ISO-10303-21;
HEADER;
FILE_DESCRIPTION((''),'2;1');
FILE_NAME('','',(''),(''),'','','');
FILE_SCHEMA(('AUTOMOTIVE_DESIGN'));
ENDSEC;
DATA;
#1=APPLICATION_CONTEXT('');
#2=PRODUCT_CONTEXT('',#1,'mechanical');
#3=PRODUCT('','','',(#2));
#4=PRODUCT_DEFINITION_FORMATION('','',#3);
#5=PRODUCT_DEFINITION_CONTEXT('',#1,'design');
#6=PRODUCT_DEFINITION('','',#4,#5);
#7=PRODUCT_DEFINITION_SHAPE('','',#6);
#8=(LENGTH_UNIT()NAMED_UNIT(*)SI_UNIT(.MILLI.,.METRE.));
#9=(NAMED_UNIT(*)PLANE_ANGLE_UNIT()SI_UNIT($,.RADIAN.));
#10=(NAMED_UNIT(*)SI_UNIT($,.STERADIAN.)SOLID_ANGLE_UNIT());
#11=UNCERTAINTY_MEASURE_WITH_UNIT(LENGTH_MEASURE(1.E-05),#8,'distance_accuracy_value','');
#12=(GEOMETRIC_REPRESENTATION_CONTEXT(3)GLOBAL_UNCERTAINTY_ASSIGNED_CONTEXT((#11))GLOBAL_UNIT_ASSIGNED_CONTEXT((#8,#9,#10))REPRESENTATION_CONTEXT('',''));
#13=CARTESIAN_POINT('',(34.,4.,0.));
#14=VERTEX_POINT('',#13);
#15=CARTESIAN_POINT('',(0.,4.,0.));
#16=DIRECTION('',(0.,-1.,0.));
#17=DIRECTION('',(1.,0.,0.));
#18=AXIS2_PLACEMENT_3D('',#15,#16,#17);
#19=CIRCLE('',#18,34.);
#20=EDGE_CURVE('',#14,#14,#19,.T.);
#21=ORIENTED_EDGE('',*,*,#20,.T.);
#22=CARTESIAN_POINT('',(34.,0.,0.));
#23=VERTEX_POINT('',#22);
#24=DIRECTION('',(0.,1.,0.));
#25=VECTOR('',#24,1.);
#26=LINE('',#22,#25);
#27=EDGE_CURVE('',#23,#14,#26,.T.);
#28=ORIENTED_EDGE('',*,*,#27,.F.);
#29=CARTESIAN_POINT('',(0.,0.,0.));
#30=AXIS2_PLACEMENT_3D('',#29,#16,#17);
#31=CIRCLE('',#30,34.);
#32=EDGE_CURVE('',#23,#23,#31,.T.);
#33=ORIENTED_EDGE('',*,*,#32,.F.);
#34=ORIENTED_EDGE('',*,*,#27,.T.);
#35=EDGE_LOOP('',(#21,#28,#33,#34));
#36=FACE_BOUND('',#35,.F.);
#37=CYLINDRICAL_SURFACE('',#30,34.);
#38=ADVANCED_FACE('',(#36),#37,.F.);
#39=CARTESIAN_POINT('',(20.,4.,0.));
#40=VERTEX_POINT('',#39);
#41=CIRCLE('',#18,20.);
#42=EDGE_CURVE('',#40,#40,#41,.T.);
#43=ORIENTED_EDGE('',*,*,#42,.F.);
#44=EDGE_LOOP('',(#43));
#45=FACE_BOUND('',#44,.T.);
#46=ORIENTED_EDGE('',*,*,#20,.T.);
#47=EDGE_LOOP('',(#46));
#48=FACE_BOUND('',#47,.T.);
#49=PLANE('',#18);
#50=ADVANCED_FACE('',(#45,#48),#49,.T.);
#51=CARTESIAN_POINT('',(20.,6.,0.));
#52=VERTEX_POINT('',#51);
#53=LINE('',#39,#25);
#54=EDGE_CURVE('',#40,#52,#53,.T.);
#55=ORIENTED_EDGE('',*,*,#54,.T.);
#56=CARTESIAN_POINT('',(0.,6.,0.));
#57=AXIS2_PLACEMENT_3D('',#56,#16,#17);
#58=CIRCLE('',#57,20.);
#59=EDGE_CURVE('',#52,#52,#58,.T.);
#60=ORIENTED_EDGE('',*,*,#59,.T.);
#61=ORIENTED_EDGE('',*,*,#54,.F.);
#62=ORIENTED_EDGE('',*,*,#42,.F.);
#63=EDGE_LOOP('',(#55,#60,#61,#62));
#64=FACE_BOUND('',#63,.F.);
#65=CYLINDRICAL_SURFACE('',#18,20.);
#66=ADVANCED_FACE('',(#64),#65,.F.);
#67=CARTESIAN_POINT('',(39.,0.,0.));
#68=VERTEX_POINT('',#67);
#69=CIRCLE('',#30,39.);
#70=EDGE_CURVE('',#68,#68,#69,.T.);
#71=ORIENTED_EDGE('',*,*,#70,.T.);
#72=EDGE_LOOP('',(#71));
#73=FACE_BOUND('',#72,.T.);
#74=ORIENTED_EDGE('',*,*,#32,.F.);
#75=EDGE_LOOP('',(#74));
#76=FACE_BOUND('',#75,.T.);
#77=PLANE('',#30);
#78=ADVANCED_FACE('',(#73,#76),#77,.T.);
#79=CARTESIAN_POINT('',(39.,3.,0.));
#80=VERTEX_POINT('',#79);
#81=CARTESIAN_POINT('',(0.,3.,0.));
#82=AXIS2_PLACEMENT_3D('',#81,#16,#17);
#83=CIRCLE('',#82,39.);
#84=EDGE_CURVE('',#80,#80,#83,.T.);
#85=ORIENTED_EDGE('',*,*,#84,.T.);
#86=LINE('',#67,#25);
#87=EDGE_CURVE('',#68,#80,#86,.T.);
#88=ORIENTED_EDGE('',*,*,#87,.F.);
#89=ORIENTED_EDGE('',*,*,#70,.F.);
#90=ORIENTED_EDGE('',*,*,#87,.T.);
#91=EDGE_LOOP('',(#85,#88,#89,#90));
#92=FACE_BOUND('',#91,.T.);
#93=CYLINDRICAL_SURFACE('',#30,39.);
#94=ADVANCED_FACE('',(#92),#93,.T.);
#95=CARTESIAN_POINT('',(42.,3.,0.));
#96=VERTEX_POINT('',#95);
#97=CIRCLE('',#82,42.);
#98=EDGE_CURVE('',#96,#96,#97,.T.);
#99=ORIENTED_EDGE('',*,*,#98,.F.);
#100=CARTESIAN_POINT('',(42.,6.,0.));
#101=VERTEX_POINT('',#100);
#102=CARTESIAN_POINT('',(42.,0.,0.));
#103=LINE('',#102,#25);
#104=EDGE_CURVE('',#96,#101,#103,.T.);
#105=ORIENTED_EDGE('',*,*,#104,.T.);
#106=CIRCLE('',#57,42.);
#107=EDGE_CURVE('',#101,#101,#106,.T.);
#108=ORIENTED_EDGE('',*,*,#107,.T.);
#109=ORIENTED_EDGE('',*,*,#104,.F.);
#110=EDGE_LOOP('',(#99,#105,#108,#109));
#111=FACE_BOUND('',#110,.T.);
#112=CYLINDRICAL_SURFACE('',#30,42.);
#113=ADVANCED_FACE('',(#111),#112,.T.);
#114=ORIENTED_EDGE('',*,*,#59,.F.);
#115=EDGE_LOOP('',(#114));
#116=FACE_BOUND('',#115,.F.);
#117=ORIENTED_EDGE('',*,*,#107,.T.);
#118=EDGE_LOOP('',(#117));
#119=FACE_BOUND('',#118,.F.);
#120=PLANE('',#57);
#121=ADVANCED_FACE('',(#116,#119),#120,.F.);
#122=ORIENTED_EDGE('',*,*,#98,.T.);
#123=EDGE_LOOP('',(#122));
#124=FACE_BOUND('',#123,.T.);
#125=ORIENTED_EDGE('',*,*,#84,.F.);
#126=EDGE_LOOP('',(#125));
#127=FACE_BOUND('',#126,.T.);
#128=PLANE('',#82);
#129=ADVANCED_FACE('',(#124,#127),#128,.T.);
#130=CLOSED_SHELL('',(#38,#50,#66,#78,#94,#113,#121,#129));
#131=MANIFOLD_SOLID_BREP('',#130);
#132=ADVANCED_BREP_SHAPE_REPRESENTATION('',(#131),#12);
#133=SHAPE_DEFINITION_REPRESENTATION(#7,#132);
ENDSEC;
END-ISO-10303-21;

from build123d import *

# Parameters (mm, degrees)
F0_R     = 42
F1_DEPTH = 6
F2_R     = 34
F3_DEPTH = 4
F4_R     = 20
F5_DEPTH = 2
F6_R     = 42
F6_R_2   = 39
F7_DEPTH = 3


with BuildPart() as f1:
    # F0 (on Front) → F1 (new body)
    with BuildSketch(Plane.XZ):
        Circle(F0_R)
    extrude(amount=-F1_DEPTH)

    # F2 (on face) → F3 (cut)
    with BuildSketch(Plane.XZ):
        Circle(F2_R)
    extrude(amount=-F3_DEPTH, mode=Mode.SUBTRACT)

    # F4 (on face) → F5 (cut)
    with BuildSketch(Plane.XZ.offset(-4)):
        Circle(F4_R)
    extrude(amount=-F5_DEPTH, mode=Mode.SUBTRACT)

    # F6 (on face) → F7 (cut)
    with BuildSketch(Plane.XZ):
        Circle(F6_R)
        Circle(F6_R_2, mode=Mode.SUBTRACT)
    extrude(amount=-F7_DEPTH, mode=Mode.SUBTRACT)


solid = f1.part
